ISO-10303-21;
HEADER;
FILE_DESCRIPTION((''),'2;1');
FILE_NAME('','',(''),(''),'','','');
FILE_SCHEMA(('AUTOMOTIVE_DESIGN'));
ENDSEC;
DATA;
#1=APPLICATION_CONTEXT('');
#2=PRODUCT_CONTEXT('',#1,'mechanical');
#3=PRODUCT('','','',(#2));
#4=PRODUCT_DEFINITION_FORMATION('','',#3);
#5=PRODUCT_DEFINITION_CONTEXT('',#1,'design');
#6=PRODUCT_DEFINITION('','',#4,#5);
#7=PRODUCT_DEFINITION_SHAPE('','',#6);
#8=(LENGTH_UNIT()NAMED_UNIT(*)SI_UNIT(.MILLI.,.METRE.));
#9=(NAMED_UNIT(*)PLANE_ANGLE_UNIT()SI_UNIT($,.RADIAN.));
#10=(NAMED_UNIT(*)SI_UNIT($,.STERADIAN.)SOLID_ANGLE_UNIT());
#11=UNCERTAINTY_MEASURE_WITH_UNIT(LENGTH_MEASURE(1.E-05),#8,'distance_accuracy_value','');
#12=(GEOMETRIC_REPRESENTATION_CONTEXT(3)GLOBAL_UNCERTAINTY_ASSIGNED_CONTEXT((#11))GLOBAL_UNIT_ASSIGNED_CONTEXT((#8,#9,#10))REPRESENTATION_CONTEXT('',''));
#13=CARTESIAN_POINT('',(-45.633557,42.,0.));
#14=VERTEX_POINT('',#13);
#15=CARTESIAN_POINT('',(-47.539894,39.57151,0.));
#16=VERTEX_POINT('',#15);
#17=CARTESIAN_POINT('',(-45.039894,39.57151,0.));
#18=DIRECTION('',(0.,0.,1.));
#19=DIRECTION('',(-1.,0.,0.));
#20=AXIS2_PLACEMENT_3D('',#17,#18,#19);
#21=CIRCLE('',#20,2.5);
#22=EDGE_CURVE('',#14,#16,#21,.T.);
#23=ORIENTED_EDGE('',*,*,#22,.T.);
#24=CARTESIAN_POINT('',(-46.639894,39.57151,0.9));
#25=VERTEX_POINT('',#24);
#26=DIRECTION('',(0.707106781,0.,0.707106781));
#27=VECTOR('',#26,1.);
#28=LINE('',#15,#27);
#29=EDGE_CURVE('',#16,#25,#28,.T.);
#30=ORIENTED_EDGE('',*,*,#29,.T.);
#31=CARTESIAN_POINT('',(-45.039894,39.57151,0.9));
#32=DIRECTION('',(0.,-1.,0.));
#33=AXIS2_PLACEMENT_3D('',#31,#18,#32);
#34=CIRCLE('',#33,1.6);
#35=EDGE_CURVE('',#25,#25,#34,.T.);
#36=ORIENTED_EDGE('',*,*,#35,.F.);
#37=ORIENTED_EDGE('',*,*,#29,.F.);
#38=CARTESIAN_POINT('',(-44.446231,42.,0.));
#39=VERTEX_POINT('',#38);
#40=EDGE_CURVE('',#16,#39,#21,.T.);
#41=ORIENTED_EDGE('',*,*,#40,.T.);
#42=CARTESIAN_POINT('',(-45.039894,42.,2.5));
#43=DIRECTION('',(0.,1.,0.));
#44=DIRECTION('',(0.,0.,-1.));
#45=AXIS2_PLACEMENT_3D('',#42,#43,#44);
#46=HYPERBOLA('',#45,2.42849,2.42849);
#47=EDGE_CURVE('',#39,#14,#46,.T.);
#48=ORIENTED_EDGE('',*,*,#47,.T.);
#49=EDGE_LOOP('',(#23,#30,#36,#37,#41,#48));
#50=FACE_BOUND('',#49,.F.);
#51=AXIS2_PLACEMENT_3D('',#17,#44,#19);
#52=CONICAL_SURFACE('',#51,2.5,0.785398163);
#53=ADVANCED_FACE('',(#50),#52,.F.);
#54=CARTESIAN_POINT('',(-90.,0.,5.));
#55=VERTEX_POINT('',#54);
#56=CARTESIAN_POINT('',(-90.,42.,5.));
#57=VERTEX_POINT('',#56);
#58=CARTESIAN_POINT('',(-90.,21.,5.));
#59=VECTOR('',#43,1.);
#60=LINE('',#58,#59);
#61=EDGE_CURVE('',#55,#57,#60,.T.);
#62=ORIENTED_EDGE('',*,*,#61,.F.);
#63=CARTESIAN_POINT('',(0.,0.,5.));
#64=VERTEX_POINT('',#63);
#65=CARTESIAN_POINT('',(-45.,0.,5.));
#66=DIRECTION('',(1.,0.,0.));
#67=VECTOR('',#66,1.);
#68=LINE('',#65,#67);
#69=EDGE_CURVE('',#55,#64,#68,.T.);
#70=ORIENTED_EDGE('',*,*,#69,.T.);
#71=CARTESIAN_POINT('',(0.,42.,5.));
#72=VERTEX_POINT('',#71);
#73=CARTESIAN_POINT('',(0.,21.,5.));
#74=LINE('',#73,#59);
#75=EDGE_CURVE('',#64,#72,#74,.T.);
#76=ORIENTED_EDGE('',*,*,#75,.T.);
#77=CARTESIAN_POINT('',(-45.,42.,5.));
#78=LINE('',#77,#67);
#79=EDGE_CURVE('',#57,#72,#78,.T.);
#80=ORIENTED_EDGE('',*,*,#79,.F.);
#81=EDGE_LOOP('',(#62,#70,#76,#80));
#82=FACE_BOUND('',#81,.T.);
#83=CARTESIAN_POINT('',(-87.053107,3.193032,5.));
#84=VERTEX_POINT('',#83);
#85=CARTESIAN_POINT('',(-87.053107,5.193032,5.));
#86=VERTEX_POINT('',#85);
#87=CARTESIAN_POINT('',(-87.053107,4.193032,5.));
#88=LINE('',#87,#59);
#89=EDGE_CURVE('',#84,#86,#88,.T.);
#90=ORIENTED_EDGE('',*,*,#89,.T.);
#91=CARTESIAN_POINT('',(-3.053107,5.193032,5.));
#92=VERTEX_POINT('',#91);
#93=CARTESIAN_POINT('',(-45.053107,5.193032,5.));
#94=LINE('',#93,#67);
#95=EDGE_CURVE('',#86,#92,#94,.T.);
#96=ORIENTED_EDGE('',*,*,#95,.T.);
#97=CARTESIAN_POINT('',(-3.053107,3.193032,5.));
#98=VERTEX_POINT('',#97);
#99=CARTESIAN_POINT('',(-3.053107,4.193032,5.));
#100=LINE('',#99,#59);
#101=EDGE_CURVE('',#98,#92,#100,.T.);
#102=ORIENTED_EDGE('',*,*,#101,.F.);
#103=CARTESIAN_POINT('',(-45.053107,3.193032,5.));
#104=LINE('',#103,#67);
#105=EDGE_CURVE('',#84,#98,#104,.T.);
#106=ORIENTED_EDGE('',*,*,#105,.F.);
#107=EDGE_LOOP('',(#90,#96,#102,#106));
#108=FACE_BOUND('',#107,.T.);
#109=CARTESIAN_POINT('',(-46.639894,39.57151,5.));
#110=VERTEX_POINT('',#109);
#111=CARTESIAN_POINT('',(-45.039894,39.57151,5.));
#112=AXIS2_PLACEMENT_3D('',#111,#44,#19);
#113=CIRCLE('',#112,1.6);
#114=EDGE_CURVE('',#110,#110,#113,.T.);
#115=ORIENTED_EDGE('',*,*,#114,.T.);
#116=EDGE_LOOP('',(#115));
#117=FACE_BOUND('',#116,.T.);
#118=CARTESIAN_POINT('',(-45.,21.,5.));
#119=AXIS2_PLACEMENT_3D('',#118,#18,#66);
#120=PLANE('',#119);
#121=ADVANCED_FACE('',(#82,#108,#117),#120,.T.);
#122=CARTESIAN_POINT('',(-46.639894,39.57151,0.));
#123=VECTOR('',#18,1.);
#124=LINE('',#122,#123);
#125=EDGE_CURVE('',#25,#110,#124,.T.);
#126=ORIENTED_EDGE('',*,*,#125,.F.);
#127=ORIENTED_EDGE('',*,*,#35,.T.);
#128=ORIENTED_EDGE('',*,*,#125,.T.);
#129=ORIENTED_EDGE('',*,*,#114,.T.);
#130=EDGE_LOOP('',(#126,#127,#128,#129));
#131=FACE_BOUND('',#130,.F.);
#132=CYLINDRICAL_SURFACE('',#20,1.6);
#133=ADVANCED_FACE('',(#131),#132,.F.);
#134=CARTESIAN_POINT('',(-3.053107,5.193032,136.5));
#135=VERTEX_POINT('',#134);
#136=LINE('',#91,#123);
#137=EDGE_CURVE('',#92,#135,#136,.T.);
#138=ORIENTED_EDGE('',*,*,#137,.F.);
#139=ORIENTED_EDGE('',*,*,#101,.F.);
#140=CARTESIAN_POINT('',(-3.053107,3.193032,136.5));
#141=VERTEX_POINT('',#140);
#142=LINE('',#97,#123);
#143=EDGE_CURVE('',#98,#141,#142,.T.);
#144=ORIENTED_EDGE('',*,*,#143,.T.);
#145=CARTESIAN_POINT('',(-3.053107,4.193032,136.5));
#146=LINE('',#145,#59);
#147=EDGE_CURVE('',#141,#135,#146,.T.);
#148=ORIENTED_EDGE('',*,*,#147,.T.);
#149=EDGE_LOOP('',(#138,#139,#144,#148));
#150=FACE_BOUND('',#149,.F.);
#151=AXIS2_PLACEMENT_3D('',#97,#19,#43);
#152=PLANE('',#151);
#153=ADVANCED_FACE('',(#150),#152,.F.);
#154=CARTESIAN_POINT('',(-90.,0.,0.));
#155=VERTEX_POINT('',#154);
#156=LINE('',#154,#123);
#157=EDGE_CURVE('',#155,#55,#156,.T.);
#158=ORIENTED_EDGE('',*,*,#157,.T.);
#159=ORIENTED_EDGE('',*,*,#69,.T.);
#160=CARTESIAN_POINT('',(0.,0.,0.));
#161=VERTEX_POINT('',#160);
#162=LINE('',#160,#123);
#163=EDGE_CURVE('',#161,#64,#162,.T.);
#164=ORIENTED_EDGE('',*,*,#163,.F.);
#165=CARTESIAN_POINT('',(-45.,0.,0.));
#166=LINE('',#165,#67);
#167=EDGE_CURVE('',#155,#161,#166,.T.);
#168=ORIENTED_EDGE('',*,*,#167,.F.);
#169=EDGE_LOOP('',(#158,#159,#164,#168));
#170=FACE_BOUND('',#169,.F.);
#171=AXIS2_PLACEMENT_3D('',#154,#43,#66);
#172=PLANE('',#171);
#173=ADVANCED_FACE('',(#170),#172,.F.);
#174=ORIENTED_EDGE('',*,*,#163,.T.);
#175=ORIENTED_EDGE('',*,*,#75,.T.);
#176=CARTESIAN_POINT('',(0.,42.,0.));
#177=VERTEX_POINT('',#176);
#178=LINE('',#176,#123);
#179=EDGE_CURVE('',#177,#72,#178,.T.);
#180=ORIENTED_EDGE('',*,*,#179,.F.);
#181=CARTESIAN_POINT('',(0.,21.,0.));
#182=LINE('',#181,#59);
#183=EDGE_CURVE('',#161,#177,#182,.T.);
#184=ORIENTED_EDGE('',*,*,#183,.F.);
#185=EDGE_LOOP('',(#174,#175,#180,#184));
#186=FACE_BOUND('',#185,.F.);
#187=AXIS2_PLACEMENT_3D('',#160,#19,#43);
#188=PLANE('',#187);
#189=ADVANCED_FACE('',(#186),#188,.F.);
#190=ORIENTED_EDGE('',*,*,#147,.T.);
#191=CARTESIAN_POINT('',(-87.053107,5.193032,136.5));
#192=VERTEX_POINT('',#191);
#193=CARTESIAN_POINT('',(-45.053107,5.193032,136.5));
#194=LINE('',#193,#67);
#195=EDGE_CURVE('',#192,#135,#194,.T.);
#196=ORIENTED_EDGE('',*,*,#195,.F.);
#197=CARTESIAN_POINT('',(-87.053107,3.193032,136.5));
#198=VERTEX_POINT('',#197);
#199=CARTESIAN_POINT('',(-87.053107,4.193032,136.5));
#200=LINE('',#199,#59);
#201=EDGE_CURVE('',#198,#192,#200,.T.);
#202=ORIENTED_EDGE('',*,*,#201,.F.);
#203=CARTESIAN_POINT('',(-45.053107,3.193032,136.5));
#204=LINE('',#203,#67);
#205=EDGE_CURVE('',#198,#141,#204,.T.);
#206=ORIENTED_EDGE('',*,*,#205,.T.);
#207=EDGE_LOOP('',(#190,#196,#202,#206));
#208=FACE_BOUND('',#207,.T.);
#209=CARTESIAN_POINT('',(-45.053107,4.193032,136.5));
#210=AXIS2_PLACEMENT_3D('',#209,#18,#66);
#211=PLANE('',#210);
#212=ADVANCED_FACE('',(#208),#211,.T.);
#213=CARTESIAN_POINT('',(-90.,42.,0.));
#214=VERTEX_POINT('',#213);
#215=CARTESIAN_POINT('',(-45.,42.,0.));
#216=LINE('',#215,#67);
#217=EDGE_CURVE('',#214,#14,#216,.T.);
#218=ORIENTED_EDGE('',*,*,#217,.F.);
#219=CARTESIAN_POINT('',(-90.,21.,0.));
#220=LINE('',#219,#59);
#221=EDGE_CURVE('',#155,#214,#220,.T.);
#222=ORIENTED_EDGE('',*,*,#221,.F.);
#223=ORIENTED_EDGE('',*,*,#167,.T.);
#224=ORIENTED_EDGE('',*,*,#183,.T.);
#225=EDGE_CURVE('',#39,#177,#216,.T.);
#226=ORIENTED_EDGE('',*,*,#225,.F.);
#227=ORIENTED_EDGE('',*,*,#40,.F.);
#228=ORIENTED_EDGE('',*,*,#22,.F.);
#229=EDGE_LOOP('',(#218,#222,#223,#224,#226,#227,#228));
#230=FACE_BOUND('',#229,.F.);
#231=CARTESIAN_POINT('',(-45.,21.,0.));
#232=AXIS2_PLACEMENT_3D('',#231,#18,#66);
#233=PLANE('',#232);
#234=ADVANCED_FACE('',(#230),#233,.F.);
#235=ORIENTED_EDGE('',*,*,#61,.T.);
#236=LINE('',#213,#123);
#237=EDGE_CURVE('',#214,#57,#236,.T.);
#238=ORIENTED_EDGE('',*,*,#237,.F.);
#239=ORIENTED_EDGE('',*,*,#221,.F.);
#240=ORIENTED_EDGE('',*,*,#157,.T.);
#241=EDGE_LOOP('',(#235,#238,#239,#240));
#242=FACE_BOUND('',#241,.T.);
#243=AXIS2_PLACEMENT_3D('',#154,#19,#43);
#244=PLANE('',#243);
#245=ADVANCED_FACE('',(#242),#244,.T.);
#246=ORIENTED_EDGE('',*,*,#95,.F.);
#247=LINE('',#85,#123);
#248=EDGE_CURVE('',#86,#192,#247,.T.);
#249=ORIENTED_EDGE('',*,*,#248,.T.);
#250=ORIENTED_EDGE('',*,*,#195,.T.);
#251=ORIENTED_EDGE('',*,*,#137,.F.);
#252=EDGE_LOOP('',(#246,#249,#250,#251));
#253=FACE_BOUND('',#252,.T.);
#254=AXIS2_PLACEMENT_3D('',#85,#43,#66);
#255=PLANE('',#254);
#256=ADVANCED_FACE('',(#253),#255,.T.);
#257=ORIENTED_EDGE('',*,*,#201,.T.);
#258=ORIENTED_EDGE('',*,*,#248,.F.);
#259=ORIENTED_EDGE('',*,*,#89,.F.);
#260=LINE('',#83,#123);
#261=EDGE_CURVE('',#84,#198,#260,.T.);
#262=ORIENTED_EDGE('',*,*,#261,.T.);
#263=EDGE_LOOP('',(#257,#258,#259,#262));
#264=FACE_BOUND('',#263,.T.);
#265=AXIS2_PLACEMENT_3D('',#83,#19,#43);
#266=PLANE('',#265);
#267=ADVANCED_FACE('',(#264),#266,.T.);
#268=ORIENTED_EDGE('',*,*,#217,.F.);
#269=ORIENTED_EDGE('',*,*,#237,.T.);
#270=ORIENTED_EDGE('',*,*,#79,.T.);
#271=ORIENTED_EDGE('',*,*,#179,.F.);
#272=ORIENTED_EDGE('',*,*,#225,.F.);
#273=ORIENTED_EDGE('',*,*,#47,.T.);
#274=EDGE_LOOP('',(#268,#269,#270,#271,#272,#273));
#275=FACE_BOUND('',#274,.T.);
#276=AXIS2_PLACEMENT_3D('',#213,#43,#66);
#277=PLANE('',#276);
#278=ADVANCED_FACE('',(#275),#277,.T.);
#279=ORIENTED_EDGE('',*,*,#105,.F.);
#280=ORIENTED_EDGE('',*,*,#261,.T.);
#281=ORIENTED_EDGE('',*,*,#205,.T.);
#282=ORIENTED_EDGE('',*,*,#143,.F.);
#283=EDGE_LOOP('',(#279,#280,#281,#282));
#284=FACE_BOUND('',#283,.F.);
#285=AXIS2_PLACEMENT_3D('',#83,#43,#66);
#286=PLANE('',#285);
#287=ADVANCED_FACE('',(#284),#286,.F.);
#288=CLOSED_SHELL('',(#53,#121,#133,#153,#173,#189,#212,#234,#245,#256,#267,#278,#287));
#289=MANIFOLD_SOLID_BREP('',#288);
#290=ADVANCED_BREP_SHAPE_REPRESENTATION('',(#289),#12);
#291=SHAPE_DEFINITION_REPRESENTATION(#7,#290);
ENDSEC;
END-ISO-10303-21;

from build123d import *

# Parameters (mm, degrees)
SKETCH_W         = 90
SKETCH_H         = 42
PAD_DEPTH        = 5
SKETCH001_W      = 84
SKETCH001_H      = 2
PAD001_DEPTH     = 131.5
HOLE_D           = 3.2
HOLE_DEPTH       = 5
HOLE_CSINK_D     = 5
HOLE_CSINK_ANGLE = 90
HOLE_TIPS_R      = 1.6


with BuildPart() as part:
    # Sketch → Pad (new body)
    with BuildSketch(Plane.XY):
        with Locations((-45, 21)):
            Rectangle(SKETCH_W, SKETCH_H)
    extrude(amount=PAD_DEPTH)

    # Sketch001 (on Face6 of Pad) → Pad001 (join)
    with BuildSketch(Plane.XY.offset(5)):
        with Locations((-45.053107, 4.193032)):
            Rectangle(SKETCH001_W, SKETCH001_H)
    extrude(amount=PAD001_DEPTH)

    # Hole
    with Locations(Plane(origin=(0, 0, 0), x_dir=(1, 0, 0), z_dir=(0, 0, -1))):
        with Locations((-45.039894, -39.57151)):
            CounterSinkHole(HOLE_D / 2, HOLE_CSINK_D / 2, depth=HOLE_DEPTH, counter_sink_angle=HOLE_CSINK_ANGLE)

    # Hole tips → Hole tip 1 section 0
    with BuildSketch(Plane(origin=(0, 0, 5), x_dir=(1, 0, 0), z_dir=(0, 0, -1)), mode=Mode.PRIVATE) as hole_tip_1_s0:
        with Locations((-45.039894, -39.57151)):
            Circle(HOLE_TIPS_R)
    loft([hole_tip_1_s0.sketch, Vertex(-45.039894, 39.57151, 5.961377)], mode=Mode.SUBTRACT)


solid = part.part
